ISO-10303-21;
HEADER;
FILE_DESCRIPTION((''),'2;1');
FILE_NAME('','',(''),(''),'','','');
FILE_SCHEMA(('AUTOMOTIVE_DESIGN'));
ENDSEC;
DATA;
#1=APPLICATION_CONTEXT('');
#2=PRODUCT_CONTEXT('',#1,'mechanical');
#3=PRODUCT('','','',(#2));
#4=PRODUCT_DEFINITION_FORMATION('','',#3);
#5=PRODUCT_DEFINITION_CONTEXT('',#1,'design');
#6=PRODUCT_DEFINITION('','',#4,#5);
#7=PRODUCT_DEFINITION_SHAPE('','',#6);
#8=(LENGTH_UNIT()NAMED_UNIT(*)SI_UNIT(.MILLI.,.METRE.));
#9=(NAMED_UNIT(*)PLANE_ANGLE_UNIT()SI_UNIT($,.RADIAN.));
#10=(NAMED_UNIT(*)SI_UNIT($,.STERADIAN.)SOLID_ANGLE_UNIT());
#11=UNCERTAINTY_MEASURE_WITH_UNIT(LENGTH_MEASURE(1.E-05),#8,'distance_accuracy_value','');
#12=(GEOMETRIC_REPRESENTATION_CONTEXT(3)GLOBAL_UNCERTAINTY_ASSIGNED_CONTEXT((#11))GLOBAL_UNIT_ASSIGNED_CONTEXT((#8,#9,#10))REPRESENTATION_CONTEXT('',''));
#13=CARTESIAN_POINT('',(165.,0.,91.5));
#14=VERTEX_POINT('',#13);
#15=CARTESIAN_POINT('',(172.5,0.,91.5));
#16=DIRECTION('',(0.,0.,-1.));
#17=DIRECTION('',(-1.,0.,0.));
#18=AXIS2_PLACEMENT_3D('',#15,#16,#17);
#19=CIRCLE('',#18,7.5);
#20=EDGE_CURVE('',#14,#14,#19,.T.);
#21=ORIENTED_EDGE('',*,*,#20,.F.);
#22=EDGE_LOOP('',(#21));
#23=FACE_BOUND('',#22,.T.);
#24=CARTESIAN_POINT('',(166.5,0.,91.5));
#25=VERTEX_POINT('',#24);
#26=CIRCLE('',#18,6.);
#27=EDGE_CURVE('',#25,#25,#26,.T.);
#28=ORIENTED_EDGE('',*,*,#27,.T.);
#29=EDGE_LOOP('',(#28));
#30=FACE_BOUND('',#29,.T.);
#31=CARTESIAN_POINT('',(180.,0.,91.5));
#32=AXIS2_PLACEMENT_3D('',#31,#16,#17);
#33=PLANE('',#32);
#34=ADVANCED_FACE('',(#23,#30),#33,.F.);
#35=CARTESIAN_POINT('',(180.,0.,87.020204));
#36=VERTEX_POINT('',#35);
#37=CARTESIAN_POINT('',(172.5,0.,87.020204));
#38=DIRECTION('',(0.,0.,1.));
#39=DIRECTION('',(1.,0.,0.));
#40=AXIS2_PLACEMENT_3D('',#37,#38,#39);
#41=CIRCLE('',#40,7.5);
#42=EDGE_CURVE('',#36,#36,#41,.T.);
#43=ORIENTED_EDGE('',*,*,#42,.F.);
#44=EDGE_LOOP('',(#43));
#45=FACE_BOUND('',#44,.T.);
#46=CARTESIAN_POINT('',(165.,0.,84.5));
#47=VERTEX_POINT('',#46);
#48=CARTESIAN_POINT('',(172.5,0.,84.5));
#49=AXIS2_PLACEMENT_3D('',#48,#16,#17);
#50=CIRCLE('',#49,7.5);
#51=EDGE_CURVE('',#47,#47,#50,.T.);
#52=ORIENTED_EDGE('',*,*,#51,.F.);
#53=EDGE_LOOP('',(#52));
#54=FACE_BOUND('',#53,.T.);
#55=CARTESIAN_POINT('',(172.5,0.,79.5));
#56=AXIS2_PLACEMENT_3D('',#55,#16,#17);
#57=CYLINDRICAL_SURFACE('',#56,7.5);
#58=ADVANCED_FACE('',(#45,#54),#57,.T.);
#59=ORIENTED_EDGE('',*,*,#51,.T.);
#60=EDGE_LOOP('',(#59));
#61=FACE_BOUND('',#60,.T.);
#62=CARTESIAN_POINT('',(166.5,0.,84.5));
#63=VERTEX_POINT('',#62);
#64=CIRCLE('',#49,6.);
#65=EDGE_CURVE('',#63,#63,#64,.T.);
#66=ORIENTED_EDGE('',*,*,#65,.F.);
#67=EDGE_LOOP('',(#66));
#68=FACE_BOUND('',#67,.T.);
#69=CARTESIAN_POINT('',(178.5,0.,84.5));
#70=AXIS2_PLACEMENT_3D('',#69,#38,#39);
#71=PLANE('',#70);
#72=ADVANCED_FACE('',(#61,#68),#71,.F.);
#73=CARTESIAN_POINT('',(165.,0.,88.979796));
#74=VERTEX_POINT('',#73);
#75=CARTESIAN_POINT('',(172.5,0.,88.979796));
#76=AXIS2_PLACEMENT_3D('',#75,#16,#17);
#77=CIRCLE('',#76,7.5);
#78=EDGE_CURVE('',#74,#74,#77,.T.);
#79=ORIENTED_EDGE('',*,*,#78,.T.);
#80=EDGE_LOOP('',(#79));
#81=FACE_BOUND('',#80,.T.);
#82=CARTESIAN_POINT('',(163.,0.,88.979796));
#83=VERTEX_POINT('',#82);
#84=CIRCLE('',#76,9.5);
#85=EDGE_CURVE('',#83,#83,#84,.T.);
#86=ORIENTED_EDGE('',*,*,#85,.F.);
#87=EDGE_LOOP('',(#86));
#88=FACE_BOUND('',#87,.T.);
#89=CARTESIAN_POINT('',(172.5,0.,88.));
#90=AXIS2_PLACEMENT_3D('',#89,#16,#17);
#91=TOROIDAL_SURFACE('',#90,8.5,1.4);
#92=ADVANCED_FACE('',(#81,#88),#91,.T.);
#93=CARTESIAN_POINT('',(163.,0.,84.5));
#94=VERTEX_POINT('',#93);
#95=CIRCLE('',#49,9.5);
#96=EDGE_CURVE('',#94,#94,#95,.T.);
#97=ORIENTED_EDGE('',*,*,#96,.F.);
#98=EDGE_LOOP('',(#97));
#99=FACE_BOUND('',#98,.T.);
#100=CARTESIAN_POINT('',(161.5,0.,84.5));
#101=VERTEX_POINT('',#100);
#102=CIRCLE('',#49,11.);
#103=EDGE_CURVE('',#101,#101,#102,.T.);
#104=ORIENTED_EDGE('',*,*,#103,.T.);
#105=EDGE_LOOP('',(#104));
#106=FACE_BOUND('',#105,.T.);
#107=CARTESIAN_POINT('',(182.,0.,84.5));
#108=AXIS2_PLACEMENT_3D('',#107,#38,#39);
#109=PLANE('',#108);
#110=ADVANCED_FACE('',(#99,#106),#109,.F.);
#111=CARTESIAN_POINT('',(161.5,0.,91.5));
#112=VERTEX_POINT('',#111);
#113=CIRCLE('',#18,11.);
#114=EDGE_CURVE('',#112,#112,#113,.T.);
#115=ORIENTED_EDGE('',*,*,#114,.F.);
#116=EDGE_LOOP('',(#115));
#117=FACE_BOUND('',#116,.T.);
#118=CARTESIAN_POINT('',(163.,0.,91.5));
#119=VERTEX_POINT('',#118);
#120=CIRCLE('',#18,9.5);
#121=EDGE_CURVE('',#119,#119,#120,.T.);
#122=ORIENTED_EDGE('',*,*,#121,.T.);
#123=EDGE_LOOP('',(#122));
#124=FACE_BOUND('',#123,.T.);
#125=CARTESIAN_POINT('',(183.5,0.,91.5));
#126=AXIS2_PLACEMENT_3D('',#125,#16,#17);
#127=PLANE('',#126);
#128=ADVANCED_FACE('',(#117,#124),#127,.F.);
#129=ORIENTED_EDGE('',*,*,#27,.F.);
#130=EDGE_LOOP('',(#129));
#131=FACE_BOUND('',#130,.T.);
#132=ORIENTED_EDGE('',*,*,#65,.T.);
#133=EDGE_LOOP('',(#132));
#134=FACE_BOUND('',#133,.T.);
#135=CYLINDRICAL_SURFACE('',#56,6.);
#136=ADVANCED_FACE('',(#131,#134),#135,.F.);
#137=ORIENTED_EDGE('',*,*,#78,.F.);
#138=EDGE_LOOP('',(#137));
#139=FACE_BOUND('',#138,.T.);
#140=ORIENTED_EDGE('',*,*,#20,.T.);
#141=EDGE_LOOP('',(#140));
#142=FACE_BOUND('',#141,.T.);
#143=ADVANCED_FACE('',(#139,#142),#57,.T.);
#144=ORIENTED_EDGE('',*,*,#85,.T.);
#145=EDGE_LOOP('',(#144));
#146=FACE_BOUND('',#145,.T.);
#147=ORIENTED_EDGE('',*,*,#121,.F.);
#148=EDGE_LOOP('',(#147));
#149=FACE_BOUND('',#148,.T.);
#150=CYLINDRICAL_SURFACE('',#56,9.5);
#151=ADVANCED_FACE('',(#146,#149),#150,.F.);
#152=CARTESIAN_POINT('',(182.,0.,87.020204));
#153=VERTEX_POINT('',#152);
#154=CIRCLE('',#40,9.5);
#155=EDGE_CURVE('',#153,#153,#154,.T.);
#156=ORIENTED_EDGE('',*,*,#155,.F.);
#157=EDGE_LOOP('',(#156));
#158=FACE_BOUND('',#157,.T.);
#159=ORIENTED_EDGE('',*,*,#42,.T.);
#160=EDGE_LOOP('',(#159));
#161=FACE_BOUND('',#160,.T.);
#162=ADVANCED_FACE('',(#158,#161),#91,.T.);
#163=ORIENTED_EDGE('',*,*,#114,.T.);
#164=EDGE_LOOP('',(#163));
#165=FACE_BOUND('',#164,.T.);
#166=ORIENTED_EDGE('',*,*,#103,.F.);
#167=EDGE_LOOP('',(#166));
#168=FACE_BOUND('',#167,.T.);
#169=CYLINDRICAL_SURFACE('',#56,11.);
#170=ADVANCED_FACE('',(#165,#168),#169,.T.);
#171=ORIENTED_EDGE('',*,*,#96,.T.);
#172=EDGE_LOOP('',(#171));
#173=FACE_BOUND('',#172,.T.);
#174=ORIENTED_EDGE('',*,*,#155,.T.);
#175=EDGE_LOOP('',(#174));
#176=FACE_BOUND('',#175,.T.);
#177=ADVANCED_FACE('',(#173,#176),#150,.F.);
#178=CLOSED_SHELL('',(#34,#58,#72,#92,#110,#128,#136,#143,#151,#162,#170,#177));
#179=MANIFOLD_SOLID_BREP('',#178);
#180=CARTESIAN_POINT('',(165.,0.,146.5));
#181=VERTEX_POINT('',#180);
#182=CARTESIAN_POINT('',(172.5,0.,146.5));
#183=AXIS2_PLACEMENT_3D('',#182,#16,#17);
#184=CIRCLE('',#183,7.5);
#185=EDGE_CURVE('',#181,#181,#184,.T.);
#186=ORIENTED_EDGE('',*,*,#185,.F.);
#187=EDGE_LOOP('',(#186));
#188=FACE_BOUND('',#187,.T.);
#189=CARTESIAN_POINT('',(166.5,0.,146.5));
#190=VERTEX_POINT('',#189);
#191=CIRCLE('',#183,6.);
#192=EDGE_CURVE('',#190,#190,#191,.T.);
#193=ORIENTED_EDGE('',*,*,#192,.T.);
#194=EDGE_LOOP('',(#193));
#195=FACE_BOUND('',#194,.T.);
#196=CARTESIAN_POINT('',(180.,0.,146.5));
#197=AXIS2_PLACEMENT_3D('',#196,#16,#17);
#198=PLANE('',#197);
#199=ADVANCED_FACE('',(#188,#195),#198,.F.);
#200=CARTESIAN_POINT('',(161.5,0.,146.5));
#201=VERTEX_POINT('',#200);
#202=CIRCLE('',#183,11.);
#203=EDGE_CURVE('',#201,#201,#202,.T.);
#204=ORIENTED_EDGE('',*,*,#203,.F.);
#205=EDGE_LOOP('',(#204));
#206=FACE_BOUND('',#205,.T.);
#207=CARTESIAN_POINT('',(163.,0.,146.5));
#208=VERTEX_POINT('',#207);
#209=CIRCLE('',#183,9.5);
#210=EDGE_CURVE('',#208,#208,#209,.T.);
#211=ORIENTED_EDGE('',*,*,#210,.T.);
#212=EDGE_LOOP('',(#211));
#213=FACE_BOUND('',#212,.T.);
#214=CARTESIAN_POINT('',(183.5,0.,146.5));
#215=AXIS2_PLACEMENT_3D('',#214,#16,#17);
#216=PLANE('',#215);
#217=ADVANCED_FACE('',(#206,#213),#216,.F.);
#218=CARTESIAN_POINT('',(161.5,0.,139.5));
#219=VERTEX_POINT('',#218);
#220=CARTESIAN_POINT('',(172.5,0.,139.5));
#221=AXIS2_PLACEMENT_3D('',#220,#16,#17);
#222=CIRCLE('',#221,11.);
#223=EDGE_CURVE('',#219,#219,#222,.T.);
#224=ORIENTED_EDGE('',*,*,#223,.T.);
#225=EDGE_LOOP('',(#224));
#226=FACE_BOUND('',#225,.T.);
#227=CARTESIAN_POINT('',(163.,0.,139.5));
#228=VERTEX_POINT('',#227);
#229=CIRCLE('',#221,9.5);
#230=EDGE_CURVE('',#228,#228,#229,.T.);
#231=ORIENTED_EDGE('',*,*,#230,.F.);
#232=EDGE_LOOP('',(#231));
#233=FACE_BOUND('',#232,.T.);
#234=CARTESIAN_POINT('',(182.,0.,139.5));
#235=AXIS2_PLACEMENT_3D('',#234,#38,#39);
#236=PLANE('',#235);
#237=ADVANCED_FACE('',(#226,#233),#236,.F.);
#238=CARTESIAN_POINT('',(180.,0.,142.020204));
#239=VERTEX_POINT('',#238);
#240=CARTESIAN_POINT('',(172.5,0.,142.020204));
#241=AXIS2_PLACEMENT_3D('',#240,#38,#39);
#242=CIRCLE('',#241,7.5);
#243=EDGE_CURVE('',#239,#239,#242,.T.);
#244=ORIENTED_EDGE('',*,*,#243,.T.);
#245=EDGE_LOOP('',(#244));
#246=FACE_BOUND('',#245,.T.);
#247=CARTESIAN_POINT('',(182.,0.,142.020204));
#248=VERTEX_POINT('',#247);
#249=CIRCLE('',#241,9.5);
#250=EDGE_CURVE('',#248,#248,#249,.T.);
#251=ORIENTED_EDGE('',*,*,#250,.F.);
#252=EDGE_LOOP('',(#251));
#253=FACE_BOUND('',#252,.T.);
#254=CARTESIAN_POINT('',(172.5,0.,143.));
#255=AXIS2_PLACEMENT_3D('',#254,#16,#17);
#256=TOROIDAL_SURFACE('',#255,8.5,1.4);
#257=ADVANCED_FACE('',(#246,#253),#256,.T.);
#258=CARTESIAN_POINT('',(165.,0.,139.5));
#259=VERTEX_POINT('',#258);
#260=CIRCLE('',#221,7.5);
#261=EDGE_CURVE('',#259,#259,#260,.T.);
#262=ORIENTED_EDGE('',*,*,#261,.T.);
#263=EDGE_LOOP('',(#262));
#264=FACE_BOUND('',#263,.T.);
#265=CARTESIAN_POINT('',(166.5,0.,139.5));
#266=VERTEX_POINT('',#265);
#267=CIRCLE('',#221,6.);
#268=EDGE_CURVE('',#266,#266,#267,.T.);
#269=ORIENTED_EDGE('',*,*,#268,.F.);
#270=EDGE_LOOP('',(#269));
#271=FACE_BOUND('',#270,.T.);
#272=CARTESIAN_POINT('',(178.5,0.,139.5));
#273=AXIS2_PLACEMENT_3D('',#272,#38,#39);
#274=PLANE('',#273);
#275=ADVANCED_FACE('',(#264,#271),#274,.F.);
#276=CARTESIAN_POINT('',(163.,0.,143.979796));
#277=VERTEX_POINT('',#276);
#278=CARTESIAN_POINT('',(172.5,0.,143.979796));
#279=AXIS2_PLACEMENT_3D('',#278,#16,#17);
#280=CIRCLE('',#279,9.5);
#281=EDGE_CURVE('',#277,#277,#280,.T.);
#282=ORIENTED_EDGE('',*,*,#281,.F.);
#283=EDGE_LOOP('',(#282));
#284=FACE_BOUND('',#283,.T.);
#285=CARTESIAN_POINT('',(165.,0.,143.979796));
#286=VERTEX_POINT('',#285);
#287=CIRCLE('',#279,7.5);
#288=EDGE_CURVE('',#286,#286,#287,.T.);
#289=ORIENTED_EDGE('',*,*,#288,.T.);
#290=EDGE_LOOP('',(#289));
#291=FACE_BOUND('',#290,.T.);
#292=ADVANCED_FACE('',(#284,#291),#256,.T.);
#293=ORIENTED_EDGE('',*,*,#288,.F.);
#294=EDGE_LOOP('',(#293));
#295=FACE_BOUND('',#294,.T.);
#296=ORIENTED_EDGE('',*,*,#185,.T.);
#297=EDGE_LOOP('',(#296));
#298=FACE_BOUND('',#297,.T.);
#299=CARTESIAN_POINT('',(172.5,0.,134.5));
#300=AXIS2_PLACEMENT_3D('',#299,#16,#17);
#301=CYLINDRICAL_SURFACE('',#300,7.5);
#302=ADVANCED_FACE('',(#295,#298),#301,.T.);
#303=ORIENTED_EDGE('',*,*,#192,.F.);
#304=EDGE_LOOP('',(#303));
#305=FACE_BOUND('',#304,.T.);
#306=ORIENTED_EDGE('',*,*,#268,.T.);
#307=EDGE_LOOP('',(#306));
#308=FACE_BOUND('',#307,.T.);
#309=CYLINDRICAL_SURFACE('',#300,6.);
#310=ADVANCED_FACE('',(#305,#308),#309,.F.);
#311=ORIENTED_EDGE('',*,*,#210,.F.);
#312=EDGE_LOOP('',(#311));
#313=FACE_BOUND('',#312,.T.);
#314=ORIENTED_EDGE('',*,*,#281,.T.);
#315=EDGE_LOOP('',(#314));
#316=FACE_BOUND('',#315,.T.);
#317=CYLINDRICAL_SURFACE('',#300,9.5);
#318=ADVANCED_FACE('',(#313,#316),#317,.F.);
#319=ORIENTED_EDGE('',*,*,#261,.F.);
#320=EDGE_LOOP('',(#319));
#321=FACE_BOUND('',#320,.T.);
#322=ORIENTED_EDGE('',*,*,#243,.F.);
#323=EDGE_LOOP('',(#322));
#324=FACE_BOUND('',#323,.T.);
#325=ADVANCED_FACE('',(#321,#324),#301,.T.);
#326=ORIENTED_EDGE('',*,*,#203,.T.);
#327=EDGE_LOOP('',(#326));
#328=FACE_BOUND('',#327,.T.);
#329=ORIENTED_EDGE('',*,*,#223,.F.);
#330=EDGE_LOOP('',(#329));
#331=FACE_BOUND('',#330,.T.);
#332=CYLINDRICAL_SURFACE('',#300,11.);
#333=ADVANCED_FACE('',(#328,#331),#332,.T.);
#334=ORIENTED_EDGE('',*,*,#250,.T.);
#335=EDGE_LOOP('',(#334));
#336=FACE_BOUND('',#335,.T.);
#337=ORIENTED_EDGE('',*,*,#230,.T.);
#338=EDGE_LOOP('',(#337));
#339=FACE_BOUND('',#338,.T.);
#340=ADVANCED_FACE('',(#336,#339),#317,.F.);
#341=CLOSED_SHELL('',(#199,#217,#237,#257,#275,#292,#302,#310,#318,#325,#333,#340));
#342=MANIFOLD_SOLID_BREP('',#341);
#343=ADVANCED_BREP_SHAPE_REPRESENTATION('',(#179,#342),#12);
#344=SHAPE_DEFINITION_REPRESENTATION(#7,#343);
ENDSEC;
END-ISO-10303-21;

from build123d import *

# Parameters (mm, degrees)
SK_PISTA_INT_1_W = 1.5
SK_PISTA_INT_1_H = 7
SK_PISTA_EXT_1_W = 1.5
SK_PISTA_EXT_1_H = 7
SK_BOLAS_1_R     = 1.4
SK_PISTA_INT_2_W = 1.5
SK_PISTA_INT_2_H = 7
SK_PISTA_EXT_2_W = 1.5
SK_PISTA_EXT_2_H = 7
SK_BOLAS_2_R     = 1.4


with BuildPart() as part:
    # Sk_Pista_int_1 → Pista_int_1 (revolve)
    with BuildSketch(Plane(origin=(0, 0, 0), x_dir=(1, 0, 0), z_dir=(0, 1, 0)), mode=Mode.PRIVATE) as pista_int_1_sk:
        with Locations((179.25, -88)):
            Rectangle(SK_PISTA_INT_1_W, SK_PISTA_INT_1_H)
    revolve(pista_int_1_sk.sketch.rotate(Axis((172.5, 0, 79.5), (0, 0, 1)), 180), axis=Axis((172.5, 0, 79.5), (0, 0, 1)))



with BuildPart() as body_2:
    # Sk_Pista_ext_1 → Pista_ext_1 (revolve)
    with BuildSketch(Plane(origin=(0, 0, 0), x_dir=(1, 0, 0), z_dir=(0, 1, 0)), mode=Mode.PRIVATE) as pista_ext_1_sk:
        with Locations((182.75, -88)):
            Rectangle(SK_PISTA_EXT_1_W, SK_PISTA_EXT_1_H)
    revolve(pista_ext_1_sk.sketch.rotate(Axis((172.5, 0, 79.5), (0, 0, 1)), 180), axis=Axis((172.5, 0, 79.5), (0, 0, 1)))


with BuildPart() as part_1:
    add(part.part)

    add(body_2.part)  # Bolas_1 merges body 2
    # Sk_Bolas_1 → Bolas_1 (revolve)
    with BuildSketch(Plane(origin=(0, 0, 0), x_dir=(1, 0, 0), z_dir=(0, 1, 0)), mode=Mode.PRIVATE) as bolas_1_sk:
        with Locations((181, -88)):
            Circle(SK_BOLAS_1_R)
    revolve(bolas_1_sk.sketch.rotate(Axis((172.5, 0, 83), (0, 0, 1)), 180), axis=Axis((172.5, 0, 83), (0, 0, 1)))


with BuildPart() as body_2_2:
    # Sk_Pista_int_2 → Pista_int_2 (revolve)
    with BuildSketch(Plane(origin=(0, 0, 0), x_dir=(1, 0, 0), z_dir=(0, 1, 0)), mode=Mode.PRIVATE) as pista_int_2_sk:
        with Locations((179.25, -143)):
            Rectangle(SK_PISTA_INT_2_W, SK_PISTA_INT_2_H)
    revolve(pista_int_2_sk.sketch.rotate(Axis((172.5, 0, 134.5), (0, 0, 1)), 180), axis=Axis((172.5, 0, 134.5), (0, 0, 1)))



with BuildPart() as body_3:
    # Sk_Pista_ext_2 → Pista_ext_2 (revolve)
    with BuildSketch(Plane(origin=(0, 0, 0), x_dir=(1, 0, 0), z_dir=(0, 1, 0)), mode=Mode.PRIVATE) as pista_ext_2_sk:
        with Locations((182.75, -143)):
            Rectangle(SK_PISTA_EXT_2_W, SK_PISTA_EXT_2_H)
    revolve(pista_ext_2_sk.sketch.rotate(Axis((172.5, 0, 134.5), (0, 0, 1)), 180), axis=Axis((172.5, 0, 134.5), (0, 0, 1)))


with BuildPart() as body_2_2_1:
    add(body_2_2.part)

    add(body_3.part)  # Bolas_2 merges body 3
    # Sk_Bolas_2 → Bolas_2 (revolve)
    with BuildSketch(Plane(origin=(0, 0, 0), x_dir=(1, 0, 0), z_dir=(0, 1, 0)), mode=Mode.PRIVATE) as bolas_2_sk:
        with Locations((181, -143)):
            Circle(SK_BOLAS_2_R)
    revolve(bolas_2_sk.sketch.rotate(Axis((172.5, 0, 138), (0, 0, 1)), 180), axis=Axis((172.5, 0, 138), (0, 0, 1)))


solid = Compound([part_1.part, body_2_2_1.part])
